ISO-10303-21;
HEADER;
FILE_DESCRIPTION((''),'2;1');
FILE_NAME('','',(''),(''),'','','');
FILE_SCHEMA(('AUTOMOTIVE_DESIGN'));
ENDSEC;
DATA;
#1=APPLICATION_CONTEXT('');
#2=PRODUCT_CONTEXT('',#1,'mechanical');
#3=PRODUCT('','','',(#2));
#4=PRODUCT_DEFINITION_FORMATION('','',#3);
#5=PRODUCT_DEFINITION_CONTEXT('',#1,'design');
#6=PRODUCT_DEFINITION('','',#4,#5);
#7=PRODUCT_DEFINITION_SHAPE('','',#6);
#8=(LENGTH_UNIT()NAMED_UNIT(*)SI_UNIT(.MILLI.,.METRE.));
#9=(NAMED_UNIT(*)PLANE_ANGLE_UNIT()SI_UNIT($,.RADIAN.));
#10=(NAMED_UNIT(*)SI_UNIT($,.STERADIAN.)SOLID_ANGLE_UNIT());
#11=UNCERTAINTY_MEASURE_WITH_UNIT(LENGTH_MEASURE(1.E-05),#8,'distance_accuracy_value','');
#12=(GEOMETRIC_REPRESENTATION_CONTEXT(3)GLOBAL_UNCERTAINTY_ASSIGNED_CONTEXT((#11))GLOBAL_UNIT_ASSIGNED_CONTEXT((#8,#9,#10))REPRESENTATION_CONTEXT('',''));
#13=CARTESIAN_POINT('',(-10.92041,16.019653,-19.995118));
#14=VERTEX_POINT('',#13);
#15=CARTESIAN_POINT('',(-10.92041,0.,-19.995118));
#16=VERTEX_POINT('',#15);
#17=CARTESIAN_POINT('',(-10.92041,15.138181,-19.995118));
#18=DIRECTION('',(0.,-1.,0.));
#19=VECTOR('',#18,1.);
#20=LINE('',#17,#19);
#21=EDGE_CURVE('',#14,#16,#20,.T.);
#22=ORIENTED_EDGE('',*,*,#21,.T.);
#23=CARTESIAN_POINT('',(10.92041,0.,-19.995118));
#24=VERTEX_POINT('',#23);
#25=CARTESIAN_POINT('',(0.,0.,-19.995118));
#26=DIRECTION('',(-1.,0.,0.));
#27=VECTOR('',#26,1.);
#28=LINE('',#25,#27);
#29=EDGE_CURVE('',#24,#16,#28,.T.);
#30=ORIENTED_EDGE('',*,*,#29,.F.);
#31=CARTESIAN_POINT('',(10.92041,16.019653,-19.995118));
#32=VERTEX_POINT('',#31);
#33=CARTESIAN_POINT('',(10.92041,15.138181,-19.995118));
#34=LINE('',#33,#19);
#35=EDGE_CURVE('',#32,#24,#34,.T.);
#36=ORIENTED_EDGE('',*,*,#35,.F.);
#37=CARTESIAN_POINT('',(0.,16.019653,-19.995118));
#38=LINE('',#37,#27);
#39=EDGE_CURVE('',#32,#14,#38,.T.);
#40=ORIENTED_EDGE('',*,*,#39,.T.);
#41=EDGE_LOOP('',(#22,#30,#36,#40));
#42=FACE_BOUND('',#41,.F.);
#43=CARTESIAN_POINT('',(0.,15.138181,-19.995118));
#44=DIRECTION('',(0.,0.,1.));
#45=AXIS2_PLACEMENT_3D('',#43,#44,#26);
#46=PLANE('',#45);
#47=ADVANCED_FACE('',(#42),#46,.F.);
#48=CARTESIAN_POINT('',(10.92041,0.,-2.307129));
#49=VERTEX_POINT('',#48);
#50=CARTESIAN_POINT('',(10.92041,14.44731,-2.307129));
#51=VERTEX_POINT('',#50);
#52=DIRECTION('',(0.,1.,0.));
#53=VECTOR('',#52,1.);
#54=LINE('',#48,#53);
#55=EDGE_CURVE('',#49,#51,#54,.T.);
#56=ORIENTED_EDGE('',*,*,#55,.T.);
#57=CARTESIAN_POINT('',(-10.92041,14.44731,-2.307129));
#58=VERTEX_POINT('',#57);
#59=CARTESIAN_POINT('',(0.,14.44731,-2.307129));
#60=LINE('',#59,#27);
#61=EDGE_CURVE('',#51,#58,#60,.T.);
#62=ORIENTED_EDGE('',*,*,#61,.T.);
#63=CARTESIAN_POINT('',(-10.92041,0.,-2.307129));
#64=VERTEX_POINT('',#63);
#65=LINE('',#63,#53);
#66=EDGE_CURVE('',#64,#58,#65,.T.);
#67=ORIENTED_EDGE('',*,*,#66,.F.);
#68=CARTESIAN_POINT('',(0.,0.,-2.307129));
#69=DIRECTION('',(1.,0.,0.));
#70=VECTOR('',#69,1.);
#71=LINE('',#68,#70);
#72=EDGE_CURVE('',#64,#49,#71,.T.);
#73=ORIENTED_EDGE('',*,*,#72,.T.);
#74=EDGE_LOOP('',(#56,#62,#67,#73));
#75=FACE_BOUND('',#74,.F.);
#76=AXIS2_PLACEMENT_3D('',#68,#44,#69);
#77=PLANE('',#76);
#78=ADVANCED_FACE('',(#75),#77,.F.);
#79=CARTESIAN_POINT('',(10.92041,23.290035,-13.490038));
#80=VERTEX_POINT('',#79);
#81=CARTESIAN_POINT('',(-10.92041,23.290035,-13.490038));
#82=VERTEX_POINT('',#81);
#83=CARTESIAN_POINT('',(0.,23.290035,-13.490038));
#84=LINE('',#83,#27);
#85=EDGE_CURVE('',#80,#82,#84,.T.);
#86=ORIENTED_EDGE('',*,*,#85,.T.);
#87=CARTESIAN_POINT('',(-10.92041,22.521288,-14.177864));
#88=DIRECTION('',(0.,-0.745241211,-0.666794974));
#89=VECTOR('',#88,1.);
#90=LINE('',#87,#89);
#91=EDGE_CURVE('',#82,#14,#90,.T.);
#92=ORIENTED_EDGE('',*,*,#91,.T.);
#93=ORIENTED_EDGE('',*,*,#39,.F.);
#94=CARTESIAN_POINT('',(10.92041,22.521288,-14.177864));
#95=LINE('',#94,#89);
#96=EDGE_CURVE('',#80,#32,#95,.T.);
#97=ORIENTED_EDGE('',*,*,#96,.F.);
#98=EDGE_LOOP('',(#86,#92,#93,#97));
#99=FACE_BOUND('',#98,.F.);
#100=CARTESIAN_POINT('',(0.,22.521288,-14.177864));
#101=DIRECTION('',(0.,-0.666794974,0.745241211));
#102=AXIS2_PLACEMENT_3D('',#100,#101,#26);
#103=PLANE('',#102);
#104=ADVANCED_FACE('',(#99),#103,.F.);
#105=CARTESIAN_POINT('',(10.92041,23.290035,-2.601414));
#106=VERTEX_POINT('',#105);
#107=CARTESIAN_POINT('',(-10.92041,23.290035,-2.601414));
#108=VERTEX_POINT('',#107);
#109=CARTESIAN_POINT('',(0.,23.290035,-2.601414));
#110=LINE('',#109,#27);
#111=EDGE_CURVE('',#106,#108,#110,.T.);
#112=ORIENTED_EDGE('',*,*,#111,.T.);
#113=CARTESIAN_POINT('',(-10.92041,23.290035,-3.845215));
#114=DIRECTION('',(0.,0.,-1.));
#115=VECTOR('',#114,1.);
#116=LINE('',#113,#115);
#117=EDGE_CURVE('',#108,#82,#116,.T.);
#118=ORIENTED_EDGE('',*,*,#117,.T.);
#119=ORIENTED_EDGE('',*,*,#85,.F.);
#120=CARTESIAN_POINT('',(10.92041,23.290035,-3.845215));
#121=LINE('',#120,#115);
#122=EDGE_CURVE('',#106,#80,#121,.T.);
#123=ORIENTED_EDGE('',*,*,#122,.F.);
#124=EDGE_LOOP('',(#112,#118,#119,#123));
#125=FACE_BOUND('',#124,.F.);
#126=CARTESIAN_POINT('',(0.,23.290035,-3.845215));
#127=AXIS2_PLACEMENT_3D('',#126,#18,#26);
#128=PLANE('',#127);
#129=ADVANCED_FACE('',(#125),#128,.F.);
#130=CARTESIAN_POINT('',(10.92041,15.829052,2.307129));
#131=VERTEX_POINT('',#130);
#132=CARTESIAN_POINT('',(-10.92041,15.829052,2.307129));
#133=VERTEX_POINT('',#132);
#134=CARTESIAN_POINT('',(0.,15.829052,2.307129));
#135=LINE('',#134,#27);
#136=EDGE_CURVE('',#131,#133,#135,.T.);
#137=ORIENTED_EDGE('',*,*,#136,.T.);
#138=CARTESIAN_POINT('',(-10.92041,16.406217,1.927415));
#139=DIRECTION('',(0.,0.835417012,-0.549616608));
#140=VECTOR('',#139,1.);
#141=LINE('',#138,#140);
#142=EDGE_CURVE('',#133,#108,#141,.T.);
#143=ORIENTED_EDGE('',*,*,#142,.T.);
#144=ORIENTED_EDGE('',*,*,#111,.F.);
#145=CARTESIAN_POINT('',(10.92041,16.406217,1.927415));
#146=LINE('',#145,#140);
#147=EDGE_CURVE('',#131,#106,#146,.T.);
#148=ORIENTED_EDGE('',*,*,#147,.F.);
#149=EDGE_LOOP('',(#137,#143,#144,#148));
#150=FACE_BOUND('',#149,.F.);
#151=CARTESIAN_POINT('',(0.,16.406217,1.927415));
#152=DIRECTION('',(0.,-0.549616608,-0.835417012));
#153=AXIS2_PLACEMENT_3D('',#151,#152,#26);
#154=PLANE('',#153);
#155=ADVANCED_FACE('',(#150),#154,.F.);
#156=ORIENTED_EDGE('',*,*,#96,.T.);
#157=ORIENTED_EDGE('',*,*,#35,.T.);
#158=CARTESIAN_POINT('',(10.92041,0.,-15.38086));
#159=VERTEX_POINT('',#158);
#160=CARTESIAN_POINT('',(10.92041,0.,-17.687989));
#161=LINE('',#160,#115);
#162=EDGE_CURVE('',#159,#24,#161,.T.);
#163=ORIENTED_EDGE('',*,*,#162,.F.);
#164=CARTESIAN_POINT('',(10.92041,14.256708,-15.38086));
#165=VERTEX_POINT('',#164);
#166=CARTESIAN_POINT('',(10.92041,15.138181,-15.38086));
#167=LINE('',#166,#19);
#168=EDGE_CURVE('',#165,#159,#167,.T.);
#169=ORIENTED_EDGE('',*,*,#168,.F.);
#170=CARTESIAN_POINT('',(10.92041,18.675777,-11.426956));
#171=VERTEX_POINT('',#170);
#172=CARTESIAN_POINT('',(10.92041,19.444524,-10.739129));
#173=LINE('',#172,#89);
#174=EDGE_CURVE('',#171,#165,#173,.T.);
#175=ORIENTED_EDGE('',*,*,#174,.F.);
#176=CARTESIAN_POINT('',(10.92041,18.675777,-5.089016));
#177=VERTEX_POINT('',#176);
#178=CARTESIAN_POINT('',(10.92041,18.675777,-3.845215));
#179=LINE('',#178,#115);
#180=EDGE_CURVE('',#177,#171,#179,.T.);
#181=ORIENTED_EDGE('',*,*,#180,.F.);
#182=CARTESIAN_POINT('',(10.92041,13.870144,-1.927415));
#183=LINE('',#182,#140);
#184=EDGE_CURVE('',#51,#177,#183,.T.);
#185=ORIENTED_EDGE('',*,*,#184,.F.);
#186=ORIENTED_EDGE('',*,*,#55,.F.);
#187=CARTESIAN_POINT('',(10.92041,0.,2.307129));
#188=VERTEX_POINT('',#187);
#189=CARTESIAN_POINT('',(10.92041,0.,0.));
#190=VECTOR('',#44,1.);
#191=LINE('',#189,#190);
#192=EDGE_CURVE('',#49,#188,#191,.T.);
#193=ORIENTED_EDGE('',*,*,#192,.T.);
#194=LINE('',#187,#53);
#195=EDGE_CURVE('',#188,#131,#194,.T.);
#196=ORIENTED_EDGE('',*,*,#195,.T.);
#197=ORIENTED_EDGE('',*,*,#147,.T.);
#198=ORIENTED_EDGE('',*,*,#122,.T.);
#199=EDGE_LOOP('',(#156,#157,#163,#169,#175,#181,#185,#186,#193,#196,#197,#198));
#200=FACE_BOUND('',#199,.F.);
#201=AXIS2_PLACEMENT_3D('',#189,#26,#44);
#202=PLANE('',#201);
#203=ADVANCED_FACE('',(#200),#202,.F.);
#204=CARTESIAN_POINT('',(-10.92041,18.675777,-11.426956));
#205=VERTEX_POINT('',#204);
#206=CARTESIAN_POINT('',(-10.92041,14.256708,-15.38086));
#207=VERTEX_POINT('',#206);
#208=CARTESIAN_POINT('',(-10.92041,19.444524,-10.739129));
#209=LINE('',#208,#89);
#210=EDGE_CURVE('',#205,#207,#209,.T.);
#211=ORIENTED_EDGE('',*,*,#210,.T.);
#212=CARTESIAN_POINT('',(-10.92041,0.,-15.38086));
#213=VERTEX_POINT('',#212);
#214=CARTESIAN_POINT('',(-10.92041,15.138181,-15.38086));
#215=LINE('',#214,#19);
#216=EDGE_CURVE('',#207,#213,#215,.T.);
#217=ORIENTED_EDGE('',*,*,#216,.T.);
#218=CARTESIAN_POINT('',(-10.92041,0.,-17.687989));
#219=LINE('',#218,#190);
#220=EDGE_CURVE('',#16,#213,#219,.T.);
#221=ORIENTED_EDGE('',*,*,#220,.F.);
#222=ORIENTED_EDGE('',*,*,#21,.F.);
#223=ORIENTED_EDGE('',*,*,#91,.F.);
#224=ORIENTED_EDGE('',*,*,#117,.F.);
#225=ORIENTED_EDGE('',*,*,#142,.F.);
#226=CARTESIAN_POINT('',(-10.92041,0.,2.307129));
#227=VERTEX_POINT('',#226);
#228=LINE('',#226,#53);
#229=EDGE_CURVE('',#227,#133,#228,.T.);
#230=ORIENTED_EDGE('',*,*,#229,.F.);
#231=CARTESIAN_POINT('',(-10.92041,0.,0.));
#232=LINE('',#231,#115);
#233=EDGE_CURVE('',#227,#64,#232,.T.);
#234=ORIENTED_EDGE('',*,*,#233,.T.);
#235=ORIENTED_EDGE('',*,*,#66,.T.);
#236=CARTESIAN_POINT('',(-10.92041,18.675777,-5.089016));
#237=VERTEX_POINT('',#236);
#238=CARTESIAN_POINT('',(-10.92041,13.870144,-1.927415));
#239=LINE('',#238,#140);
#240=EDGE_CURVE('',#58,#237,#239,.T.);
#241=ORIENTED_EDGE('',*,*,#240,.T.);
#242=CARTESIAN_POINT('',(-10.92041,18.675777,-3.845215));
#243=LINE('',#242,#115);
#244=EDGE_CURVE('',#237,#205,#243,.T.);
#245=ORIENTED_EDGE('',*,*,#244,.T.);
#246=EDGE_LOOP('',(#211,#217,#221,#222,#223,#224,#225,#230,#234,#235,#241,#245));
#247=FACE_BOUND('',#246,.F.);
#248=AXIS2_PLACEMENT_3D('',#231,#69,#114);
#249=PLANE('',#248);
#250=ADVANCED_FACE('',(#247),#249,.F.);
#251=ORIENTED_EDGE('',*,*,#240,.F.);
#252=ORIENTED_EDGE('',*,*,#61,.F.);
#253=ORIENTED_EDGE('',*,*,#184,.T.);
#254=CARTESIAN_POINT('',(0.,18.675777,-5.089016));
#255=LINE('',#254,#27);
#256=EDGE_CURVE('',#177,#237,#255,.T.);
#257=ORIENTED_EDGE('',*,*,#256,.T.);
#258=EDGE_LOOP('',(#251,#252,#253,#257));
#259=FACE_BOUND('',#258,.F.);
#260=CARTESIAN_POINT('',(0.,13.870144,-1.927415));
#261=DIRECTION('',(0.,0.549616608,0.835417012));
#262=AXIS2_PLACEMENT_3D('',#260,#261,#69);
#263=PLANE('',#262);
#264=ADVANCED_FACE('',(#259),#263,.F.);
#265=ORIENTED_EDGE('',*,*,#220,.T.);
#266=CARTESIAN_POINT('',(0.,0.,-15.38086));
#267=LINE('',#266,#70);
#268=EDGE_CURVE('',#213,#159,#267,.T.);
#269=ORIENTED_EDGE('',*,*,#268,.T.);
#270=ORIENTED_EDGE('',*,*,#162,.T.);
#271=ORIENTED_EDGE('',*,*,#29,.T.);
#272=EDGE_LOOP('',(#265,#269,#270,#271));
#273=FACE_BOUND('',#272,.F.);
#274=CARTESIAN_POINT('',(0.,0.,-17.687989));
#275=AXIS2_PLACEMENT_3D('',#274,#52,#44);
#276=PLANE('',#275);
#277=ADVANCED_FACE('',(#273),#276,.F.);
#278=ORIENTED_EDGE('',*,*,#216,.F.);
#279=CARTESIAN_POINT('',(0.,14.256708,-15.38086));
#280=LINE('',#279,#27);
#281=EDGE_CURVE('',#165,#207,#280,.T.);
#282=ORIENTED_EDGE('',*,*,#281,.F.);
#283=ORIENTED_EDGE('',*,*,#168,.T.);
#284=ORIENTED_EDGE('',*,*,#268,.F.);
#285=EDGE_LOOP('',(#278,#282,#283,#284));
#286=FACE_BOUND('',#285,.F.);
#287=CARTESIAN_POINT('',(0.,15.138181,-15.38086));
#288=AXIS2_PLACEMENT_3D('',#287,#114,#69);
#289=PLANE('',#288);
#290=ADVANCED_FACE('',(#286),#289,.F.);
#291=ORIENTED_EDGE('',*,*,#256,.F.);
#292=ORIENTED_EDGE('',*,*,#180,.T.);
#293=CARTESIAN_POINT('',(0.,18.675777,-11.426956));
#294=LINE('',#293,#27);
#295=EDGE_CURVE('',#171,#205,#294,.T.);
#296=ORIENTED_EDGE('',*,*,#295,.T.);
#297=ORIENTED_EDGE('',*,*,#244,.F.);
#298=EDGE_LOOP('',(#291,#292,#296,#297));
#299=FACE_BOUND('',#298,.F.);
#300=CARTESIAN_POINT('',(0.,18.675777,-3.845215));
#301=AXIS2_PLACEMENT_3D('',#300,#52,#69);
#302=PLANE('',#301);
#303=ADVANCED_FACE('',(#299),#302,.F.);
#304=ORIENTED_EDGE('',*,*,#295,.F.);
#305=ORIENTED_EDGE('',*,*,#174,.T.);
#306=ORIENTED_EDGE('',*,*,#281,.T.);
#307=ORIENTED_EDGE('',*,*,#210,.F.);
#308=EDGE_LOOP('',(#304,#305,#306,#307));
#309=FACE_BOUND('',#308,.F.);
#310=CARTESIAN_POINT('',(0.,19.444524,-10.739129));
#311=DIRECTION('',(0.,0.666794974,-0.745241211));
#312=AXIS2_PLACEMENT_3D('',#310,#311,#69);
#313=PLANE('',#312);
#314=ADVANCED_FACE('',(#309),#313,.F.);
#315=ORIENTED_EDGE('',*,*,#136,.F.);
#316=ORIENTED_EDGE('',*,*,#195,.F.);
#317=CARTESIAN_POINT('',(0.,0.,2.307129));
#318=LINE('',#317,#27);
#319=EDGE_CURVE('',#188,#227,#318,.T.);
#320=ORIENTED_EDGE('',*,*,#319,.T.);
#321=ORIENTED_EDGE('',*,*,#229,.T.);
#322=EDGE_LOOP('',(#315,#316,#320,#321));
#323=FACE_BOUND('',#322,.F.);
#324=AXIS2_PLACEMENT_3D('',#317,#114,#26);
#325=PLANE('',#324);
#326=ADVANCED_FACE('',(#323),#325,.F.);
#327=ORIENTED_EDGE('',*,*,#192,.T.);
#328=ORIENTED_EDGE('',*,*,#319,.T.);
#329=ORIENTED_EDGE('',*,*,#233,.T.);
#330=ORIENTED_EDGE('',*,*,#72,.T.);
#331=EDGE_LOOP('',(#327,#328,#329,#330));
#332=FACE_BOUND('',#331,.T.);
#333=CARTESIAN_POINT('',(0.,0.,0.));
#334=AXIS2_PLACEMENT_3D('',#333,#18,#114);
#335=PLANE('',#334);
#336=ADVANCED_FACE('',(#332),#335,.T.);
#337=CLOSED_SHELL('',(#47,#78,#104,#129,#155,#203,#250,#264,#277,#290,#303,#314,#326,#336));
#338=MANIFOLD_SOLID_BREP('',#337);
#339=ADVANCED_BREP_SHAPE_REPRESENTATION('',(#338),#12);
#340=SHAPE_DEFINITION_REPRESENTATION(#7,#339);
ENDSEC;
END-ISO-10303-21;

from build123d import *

# Parameters (mm, degrees)
F0_W = 21.840820089
F0_H = 4.614258185


with BuildPart() as f2:
    # F2: sweep along a path in F1
    with BuildLine(Plane.YZ) as f2_path:
        Line((0, 0), (15.1381809264, 0))
        Line((15.1381809264, 0), (20.9829062223, -3.8452150766))
        Line((20.9829062223, -3.8452150766), (20.9829062223, -12.458496727))
        Line((20.9829062223, -12.458496727), (15.1381809264, -17.6879893988))
        Line((15.1381809264, -17.6879893988), (0, -17.6879893988))
    # F0 (on Front) → F2 (sweep)
    with BuildSketch(Plane.XZ):
        Rectangle(F0_W, F0_H)
    sweep(path=f2_path.line, transition=Transition.RIGHT)


solid = f2.part
